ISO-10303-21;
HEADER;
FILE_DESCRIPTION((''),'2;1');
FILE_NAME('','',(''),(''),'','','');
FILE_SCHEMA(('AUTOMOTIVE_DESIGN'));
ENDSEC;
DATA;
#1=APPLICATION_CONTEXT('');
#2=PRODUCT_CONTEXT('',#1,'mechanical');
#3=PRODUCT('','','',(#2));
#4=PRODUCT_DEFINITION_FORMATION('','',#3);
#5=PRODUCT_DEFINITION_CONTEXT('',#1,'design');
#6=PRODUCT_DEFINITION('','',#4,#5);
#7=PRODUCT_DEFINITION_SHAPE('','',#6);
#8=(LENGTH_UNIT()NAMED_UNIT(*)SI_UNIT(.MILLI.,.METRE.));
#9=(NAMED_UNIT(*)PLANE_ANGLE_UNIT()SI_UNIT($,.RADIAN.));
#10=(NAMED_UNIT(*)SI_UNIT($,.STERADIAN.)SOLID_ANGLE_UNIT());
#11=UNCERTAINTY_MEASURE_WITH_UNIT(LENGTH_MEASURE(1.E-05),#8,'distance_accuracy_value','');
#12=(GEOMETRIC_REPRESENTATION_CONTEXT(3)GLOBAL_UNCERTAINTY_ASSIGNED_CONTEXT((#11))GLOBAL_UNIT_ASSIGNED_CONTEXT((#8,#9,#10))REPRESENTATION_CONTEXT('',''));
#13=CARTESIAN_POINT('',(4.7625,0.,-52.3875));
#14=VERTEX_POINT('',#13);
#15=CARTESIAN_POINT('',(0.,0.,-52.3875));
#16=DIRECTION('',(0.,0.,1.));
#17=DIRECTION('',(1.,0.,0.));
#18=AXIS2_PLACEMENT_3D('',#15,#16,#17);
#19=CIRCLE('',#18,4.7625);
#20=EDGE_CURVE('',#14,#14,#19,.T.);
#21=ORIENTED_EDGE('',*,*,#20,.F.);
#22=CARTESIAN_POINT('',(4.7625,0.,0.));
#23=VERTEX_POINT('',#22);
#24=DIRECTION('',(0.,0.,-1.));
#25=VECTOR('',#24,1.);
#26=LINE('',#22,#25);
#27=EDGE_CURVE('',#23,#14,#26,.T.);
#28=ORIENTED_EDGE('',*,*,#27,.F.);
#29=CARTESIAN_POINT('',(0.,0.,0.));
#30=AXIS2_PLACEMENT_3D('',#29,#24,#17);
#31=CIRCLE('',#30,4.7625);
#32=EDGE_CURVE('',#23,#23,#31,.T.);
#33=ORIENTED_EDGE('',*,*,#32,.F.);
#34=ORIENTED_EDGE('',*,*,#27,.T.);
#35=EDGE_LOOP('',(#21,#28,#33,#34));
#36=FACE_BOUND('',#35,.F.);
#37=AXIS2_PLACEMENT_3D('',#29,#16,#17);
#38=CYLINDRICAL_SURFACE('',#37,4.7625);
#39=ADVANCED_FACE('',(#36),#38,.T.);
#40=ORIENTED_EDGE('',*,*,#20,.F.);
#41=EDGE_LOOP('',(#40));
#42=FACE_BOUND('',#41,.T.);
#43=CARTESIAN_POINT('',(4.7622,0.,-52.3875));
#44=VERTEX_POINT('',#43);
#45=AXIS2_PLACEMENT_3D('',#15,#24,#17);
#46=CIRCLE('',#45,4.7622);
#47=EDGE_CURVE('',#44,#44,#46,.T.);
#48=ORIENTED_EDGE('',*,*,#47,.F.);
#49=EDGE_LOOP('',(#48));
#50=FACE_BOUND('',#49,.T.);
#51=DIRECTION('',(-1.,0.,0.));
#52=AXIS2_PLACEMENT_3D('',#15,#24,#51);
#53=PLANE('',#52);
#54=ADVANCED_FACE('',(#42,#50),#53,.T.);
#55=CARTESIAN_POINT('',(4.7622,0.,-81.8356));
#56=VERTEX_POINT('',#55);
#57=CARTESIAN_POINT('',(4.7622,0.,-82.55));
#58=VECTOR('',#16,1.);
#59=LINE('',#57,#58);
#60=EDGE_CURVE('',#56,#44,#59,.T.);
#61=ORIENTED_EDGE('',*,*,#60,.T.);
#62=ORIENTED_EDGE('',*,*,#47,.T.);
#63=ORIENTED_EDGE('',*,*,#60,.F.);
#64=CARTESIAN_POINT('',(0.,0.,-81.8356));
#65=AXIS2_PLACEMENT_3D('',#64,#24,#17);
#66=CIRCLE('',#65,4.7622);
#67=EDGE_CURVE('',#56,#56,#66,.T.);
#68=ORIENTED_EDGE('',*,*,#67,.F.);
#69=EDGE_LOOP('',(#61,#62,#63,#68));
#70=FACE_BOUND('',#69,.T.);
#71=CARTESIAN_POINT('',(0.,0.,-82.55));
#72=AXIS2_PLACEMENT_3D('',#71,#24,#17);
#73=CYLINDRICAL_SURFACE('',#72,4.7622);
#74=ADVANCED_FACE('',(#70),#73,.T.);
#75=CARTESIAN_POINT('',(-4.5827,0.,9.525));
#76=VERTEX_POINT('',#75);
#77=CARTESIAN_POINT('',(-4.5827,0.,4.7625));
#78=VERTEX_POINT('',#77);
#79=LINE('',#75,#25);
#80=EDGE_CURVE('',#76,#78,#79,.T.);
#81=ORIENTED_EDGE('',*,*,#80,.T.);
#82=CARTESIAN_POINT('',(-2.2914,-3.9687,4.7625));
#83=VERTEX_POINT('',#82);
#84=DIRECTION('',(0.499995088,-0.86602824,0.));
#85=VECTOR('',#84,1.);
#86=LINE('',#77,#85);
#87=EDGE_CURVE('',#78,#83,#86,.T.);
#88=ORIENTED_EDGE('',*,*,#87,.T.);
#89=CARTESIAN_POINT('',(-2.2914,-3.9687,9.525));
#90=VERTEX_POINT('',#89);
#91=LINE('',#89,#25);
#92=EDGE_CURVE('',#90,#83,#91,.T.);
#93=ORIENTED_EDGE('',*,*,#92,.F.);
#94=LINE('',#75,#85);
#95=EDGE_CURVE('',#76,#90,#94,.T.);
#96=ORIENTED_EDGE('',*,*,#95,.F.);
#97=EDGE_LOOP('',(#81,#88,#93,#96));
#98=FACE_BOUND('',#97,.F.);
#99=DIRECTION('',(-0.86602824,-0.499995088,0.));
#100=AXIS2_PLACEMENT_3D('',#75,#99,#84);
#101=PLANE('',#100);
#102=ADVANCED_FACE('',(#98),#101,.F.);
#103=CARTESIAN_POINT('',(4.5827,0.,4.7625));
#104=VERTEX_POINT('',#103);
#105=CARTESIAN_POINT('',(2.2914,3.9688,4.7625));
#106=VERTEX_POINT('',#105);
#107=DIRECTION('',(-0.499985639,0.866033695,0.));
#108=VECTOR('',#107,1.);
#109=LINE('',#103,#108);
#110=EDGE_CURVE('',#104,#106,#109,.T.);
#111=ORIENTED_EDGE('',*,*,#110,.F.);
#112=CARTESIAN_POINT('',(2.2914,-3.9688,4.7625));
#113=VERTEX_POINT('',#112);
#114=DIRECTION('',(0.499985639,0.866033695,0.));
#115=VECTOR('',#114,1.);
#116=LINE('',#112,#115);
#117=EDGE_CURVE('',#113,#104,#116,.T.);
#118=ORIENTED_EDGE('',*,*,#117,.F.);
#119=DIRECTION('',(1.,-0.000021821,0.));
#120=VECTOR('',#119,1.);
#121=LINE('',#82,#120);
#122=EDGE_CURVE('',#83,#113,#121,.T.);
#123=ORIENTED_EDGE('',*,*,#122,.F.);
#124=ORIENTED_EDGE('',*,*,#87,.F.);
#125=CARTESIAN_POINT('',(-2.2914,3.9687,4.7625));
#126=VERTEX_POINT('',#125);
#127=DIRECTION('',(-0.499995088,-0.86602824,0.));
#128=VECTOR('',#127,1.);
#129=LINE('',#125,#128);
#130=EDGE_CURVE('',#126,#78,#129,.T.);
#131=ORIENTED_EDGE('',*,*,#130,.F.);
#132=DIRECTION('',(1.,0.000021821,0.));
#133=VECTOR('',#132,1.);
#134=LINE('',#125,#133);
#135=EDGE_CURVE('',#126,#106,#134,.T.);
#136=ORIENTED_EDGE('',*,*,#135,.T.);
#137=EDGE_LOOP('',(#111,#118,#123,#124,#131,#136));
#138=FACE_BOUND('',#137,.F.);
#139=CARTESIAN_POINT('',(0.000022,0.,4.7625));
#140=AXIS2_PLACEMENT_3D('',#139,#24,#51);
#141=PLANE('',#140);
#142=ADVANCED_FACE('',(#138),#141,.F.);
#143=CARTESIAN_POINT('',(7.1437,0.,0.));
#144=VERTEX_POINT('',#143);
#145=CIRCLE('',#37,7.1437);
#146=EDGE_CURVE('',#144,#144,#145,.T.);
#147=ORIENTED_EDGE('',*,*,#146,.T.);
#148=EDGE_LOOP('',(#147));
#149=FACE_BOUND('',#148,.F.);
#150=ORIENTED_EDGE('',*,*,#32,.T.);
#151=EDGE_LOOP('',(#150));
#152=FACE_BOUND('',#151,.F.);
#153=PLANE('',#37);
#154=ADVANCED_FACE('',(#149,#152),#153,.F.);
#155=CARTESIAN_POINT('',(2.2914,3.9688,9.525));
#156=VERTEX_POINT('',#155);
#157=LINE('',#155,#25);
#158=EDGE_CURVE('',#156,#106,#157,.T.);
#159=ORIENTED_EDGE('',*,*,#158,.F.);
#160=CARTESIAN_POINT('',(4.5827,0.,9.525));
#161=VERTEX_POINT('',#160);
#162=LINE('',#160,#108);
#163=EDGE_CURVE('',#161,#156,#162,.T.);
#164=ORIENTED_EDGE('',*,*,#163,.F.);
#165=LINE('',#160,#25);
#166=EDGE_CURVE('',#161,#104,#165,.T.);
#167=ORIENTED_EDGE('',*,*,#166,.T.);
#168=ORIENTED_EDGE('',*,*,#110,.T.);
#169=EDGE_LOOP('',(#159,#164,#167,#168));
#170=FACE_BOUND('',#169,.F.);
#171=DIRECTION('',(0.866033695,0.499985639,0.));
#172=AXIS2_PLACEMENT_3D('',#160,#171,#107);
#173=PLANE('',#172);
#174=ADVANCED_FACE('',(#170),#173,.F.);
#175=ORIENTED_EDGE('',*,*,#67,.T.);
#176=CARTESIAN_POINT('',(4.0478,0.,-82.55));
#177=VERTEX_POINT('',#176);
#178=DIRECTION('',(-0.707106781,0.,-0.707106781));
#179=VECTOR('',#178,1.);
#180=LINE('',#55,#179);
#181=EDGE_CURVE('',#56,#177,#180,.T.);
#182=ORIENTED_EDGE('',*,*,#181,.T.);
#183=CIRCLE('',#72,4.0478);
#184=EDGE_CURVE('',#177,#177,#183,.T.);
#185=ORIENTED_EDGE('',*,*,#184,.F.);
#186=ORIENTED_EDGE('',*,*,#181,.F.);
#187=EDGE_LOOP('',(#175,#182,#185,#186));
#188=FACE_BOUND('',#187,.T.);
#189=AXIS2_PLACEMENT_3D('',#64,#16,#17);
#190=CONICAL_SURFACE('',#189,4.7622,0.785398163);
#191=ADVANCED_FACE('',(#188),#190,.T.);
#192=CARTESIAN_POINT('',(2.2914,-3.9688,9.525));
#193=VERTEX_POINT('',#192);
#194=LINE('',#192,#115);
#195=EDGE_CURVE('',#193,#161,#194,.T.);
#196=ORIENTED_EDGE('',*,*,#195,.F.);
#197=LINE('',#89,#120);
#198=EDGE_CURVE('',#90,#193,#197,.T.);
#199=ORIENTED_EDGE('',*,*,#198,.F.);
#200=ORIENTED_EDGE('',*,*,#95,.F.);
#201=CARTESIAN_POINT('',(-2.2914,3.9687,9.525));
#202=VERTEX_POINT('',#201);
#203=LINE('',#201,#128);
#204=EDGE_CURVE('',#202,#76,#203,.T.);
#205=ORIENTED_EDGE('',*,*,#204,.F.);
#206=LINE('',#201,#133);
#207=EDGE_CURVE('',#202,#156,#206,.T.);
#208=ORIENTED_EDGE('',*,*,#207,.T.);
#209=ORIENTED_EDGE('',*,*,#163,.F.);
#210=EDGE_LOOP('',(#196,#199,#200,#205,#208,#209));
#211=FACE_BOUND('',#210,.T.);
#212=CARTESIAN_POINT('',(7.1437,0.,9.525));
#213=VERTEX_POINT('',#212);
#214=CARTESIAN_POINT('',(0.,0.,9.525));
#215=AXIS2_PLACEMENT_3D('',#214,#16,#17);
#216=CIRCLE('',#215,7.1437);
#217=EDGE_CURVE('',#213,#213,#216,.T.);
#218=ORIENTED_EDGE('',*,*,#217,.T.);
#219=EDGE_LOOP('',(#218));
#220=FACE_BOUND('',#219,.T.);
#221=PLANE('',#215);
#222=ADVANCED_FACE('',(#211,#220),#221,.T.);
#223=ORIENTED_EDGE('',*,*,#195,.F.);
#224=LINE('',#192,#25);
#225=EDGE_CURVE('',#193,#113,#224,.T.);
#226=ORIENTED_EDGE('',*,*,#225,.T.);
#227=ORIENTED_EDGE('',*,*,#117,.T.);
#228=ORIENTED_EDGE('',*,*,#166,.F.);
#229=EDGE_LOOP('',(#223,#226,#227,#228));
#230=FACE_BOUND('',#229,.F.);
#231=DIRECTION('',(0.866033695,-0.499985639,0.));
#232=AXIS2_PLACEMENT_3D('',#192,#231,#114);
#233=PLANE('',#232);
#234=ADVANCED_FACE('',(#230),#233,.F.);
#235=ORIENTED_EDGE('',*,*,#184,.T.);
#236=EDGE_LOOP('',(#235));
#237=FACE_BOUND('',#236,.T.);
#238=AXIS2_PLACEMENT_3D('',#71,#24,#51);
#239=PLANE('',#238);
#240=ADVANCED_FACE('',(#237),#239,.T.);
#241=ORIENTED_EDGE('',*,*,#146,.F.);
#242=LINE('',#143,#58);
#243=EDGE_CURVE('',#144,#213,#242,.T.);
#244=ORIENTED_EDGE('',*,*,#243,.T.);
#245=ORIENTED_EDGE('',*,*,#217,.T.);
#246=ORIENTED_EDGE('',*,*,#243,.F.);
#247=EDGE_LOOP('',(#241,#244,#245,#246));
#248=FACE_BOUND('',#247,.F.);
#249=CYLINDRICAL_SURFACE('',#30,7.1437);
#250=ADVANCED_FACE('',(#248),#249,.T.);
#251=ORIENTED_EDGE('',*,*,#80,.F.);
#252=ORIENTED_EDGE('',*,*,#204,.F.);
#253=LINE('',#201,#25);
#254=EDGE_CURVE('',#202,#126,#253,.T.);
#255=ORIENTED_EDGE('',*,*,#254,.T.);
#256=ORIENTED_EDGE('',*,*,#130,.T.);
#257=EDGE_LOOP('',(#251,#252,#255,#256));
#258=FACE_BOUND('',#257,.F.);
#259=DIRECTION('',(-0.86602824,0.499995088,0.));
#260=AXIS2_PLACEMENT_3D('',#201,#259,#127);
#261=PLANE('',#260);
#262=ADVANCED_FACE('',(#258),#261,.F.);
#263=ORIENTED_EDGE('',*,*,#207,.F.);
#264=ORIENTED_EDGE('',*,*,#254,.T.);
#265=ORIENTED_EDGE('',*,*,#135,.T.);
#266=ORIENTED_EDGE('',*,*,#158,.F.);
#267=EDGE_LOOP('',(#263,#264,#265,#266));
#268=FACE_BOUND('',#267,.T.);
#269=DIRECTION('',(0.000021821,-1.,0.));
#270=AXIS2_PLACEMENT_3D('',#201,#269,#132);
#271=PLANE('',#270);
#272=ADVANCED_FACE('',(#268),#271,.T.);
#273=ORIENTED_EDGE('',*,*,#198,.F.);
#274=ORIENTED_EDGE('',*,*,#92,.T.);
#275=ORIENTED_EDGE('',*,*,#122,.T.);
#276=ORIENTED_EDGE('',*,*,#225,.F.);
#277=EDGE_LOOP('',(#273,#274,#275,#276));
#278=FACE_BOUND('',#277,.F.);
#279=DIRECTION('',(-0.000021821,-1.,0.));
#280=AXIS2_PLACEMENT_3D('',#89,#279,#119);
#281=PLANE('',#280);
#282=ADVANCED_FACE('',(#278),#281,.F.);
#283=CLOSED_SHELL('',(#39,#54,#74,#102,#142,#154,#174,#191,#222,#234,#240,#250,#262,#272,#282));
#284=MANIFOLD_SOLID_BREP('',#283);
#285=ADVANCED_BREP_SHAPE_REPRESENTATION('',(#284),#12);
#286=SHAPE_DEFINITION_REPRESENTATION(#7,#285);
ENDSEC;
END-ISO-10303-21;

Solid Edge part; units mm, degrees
sketch "Sketch1" plane through (0, 0, 0) normal (0, 0, 1) x (1, 0, 0)
  circle A0 centre (0, 0) radius 7.1437
  dimension "D1" = 14.2875
extrude "Protrusion1" add sketch "Sketch1" along normal blind 9.525
sketch "Sketch2" plane through (0, 0, 0) normal (0, 0, -1) x (1, 0, 0)
  circle A0 centre (0, 0) radius 4.7625
extrude "Protrusion2" add sketch "Sketch2" along normal blind 82.55
sketch "Sketch3" plane through (0, 0, -82.55) normal (0, 0, -1) x (1, 0, 0)
  circle A0 centre (0, 0) radius 4.7622
extrude "Cutout1" cut sketch "Sketch3" against normal blind 30.1625 flip side to cut
chamfer "Chamfer_1" distance 0.7144 angle 45 1 edges at (-4.7622, 0, -82.55)
sketch "Sketch4" plane through (0, 0, 9.525) normal (0, 0, 1) x (1, 0, 0)
  line L0 (-2.2914, 3.9687) -> (2.2914, 3.9688)
  line L1 (4.5827, 0) -> (2.2914, 3.9688)
  line L2 (2.2914, -3.9688) -> (4.5827, 0)
  line L3 (-2.2914, -3.9687) -> (2.2914, -3.9688)
  line L4 (-4.5827, 0) -> (-2.2914, -3.9688)
  line L5 (-2.2914, 3.9688) -> (-4.5827, 0)
  dimension "D1" = 7.9375
extrude "Cutout2" cut sketch "Sketch4" against normal blind 4.7625
properties part number "24102303"
